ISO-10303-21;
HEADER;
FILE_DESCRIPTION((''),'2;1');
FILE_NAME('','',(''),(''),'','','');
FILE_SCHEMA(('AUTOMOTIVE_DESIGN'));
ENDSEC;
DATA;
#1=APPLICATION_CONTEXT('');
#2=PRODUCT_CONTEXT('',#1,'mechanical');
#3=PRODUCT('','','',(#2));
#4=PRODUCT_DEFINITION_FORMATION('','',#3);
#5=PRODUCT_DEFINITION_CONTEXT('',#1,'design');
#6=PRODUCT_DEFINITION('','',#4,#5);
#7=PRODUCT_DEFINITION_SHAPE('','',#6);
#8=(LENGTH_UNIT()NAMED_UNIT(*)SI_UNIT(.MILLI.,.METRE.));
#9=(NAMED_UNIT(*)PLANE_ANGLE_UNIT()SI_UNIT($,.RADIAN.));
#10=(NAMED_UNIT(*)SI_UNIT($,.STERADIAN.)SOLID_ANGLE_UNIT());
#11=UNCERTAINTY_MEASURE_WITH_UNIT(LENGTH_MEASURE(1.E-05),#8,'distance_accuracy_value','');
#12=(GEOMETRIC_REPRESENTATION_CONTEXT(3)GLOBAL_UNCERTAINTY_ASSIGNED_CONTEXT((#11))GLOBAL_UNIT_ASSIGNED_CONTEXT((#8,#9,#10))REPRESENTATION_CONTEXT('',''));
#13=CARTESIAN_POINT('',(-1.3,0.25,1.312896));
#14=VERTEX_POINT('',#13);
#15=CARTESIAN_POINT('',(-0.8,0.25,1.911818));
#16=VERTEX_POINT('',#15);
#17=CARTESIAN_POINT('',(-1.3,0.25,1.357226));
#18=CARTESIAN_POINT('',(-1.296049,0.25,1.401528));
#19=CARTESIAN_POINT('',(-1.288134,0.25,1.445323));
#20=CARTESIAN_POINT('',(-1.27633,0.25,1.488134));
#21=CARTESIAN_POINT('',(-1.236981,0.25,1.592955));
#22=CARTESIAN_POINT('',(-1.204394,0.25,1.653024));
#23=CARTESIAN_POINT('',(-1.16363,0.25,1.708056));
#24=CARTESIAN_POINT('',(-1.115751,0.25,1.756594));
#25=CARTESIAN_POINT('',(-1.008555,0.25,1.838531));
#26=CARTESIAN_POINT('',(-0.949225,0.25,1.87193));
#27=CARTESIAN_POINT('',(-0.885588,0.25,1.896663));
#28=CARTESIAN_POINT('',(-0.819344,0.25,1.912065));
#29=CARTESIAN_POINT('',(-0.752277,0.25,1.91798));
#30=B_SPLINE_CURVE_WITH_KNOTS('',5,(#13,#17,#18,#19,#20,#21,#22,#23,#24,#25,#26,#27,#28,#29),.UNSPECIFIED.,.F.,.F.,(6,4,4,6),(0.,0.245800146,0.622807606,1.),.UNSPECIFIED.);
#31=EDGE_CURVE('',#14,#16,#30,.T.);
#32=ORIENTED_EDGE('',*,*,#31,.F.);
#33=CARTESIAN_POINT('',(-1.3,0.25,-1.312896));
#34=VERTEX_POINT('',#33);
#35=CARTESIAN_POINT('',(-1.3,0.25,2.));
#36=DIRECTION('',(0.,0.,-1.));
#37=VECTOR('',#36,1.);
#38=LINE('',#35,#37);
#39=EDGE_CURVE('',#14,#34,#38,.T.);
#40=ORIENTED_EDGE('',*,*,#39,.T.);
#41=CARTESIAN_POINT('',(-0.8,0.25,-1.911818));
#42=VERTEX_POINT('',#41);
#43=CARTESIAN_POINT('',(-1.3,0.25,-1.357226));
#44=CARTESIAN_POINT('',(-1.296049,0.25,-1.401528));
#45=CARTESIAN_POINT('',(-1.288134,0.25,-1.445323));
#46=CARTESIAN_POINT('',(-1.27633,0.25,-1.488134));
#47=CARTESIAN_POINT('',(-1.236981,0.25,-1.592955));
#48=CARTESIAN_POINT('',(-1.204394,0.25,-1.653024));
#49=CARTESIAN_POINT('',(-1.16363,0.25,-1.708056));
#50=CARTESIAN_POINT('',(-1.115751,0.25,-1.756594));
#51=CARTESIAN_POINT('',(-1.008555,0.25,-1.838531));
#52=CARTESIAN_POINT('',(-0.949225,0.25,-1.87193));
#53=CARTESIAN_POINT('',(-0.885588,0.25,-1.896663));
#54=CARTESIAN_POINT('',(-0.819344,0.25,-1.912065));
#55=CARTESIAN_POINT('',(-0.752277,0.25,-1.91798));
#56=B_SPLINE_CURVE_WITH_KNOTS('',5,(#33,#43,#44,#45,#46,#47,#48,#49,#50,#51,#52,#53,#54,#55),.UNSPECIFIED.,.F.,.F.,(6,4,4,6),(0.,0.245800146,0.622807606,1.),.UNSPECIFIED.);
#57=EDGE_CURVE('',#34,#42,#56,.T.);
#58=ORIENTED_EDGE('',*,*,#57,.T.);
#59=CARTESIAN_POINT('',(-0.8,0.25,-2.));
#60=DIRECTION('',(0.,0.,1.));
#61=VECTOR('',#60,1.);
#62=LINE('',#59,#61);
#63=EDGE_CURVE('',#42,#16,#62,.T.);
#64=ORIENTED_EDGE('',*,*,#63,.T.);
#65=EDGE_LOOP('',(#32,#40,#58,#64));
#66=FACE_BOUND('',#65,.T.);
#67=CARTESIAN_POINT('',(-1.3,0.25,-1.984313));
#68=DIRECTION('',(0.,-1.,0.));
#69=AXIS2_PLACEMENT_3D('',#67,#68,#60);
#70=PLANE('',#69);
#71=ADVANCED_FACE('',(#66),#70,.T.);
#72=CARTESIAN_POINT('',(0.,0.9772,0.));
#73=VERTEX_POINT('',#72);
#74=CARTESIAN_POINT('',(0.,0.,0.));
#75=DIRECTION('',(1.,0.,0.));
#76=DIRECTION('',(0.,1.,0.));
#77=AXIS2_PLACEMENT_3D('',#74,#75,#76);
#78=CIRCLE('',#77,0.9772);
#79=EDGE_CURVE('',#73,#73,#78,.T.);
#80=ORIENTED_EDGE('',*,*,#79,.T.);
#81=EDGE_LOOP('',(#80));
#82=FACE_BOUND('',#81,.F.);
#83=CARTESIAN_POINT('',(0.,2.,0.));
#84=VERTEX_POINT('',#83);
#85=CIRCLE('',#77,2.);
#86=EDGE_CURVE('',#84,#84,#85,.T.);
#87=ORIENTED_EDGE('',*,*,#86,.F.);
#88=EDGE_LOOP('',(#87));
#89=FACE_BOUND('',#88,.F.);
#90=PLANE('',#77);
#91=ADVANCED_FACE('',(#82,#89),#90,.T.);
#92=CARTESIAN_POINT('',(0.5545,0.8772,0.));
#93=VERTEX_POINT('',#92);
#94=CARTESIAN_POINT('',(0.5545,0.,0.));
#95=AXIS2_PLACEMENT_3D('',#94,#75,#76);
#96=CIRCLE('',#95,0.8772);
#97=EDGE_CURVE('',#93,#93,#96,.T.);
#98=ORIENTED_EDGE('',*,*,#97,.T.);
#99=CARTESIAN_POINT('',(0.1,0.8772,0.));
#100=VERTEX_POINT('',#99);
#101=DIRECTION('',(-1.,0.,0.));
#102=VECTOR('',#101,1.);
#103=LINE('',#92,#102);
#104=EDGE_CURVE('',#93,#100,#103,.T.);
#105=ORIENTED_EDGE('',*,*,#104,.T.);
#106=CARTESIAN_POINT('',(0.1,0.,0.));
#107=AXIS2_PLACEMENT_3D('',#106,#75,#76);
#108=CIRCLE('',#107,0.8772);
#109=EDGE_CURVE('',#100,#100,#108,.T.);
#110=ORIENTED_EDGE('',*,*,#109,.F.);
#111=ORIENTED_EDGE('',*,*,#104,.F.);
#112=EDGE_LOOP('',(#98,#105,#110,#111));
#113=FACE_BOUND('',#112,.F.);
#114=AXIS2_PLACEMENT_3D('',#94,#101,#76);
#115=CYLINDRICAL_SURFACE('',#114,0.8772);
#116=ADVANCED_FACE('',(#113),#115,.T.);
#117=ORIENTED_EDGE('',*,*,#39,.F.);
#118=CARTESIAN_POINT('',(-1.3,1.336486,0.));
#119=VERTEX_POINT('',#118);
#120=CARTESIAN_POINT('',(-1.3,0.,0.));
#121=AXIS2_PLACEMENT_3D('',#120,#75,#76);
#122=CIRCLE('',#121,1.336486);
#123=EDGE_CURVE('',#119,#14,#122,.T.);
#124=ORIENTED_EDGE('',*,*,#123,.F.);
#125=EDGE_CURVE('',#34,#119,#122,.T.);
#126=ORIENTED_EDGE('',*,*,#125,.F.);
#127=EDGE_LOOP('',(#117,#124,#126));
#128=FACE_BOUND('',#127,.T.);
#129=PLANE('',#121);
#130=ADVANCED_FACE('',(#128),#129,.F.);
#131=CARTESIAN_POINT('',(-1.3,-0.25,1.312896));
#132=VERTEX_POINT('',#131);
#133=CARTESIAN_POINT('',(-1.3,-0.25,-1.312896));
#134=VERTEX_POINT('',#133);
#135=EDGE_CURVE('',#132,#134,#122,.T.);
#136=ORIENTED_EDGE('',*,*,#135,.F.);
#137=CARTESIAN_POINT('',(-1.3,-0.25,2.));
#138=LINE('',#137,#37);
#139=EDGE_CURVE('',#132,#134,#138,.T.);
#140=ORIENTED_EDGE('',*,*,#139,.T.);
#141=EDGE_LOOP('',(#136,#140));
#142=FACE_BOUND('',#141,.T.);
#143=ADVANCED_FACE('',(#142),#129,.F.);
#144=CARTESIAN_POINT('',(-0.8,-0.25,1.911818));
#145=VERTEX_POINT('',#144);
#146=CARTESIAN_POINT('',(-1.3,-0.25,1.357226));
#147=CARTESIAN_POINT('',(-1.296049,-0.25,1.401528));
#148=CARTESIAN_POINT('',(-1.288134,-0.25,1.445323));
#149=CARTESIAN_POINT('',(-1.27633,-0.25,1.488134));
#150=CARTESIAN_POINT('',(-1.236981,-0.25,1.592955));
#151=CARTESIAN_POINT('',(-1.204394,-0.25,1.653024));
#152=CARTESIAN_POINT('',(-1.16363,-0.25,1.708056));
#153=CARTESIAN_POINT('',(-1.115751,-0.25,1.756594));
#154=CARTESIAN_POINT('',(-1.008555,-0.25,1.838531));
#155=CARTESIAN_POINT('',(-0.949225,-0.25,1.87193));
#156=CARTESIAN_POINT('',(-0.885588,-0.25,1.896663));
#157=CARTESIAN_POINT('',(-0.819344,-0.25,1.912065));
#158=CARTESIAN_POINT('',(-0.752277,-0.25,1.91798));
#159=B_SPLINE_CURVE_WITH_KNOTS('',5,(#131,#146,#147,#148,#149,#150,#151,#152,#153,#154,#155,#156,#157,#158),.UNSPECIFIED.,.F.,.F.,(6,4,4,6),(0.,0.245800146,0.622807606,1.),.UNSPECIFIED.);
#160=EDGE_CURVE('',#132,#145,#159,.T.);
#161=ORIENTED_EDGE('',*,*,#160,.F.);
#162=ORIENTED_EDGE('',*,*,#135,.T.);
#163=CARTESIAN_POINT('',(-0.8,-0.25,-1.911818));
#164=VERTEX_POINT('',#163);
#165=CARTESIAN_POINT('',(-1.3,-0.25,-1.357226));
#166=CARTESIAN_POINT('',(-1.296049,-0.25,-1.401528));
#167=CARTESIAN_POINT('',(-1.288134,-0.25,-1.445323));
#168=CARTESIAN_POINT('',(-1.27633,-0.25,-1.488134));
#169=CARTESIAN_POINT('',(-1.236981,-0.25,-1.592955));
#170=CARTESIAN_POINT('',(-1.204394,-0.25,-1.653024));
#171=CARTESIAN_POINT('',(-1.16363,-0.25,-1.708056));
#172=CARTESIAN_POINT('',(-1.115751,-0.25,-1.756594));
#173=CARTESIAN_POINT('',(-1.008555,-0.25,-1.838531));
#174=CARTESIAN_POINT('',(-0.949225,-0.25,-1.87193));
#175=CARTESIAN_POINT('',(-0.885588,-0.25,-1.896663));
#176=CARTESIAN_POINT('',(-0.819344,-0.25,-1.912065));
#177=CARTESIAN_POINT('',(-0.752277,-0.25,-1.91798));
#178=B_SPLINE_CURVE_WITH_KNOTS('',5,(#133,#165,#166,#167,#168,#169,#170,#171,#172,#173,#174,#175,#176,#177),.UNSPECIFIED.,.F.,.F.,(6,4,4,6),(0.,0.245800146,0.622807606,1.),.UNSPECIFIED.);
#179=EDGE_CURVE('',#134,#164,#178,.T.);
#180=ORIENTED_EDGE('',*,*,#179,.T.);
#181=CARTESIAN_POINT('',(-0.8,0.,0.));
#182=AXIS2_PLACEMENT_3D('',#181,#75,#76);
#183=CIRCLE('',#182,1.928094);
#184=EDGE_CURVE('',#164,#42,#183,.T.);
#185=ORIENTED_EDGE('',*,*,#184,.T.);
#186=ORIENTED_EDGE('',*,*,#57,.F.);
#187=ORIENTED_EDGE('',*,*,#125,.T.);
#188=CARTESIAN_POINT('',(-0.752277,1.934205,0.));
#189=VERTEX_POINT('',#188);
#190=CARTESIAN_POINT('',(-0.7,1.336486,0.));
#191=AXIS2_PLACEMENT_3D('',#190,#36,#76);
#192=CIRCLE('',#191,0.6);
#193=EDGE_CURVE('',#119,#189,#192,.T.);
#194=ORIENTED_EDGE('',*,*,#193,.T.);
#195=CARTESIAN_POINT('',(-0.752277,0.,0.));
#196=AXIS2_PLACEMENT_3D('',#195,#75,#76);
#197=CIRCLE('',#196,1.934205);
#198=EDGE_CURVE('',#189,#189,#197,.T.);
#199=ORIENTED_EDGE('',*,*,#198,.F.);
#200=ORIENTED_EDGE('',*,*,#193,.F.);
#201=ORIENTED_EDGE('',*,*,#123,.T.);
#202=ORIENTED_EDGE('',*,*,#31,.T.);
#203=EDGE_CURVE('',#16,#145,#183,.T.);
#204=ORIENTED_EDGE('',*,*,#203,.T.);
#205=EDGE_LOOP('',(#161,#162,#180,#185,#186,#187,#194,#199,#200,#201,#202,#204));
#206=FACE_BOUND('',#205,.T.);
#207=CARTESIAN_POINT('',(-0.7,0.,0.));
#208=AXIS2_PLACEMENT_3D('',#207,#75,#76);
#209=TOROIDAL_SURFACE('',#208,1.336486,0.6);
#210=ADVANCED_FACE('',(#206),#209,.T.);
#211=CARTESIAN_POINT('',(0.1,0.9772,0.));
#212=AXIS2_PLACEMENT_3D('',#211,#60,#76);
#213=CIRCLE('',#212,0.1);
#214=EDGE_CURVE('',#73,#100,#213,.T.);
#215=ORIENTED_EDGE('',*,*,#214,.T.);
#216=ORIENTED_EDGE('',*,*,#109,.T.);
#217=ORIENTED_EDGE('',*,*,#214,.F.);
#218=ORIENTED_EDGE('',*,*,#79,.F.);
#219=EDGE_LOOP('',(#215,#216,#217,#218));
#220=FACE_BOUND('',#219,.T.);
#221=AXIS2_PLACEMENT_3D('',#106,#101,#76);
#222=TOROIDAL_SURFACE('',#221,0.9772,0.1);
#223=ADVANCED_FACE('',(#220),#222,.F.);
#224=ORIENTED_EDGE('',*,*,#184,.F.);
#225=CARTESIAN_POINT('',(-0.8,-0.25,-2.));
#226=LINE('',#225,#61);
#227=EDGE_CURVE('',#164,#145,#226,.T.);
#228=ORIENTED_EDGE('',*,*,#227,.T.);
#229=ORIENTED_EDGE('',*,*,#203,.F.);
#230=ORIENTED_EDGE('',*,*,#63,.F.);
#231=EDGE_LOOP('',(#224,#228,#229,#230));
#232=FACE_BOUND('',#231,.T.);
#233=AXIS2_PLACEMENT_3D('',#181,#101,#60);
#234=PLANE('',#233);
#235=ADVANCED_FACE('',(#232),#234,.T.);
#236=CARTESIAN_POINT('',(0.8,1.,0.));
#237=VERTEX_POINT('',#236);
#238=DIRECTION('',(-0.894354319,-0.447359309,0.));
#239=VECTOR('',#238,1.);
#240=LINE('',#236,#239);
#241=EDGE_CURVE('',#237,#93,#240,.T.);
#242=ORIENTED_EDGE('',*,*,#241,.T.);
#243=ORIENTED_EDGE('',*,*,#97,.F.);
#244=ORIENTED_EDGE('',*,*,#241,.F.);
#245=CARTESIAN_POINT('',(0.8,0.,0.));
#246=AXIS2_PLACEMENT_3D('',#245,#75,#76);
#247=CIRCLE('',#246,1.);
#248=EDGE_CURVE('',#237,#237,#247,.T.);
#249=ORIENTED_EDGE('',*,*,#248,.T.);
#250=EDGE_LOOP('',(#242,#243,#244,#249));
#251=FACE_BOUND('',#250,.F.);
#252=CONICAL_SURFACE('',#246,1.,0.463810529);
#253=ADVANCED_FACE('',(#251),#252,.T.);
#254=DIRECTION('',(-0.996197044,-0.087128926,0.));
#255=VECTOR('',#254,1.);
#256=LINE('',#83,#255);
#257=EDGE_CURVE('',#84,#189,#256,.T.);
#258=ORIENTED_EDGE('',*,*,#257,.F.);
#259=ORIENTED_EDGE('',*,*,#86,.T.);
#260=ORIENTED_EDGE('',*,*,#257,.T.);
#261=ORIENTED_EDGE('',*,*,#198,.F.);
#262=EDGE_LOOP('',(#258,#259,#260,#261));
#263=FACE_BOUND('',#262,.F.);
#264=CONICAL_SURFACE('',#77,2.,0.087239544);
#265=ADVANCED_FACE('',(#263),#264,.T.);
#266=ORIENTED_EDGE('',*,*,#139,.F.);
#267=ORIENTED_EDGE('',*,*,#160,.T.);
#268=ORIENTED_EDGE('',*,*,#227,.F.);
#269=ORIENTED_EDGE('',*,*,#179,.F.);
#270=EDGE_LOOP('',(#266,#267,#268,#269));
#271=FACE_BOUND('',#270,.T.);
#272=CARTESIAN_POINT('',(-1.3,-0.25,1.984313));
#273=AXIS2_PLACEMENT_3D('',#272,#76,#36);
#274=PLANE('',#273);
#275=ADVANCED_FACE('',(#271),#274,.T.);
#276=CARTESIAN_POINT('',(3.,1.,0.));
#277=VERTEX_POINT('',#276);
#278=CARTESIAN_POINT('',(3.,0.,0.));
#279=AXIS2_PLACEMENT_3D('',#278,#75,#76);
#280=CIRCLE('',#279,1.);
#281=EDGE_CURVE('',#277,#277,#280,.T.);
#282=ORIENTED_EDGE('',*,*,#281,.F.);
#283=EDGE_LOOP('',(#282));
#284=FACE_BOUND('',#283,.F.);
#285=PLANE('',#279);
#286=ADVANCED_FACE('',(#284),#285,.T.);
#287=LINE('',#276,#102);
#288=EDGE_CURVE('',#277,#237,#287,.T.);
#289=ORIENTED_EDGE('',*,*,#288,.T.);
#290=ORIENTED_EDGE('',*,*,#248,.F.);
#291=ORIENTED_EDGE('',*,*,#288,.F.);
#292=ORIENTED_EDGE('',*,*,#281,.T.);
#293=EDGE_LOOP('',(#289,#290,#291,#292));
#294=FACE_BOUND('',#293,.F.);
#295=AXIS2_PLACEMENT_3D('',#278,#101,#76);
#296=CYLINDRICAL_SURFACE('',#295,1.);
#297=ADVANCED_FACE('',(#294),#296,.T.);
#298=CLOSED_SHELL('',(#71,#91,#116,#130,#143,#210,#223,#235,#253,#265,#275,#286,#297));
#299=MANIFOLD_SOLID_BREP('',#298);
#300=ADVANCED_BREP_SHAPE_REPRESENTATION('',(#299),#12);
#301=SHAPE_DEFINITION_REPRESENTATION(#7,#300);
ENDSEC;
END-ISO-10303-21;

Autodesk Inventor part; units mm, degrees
ref_plane "YZ Plane" through (0, 0, 0) normal (1, 0, 0) x (0, 1, 0)
ref_plane "XZ Plane" through (0, 0, 0) normal (0, 1, 0) x (-1, 0, 0)
sketch "Skizze1" plane through (0, 0, 0) normal (0, 0, 1) x (1, 0, 0)
  line L0 (-1.3, 0) -> (3, 0)
  line L1 (3, 0) -> (3, 1)
  line L2 (3, 1) -> (0.8, 1)
  line L3 (0.8, 1) -> (0.5545, 0.8772)
  line L4 (0.5545, 0.8772) -> (0, 0.8772)
  line L5 (0, 0.8772) -> (0, 2)
  line L6 (-2.16, 0) -> (3.86, 0) projected
  line L7 (0, -0.4) -> (0, 2.4) projected
  line L8 (-1.3, 0) -> (-1.3, 1.8863)
  line L9 (0, 2) -> (-1.3, 1.8863)
  line L10 (0.8, 1) -> (0, 1) construction
  dimension "d0" = 3
  dimension "d1" = 2.2
  dimension "d2" = 0.2455
  dimension "d3" = 1.3
  dimension "d4" = 2
  dimension "d5" = 1.7545
  dimension "d9" = 4
  dimension "d10" = 5
revolve "Körper" add sketch "Skizze1" angle 360 about axis through (-1.3, 0, 0) along (1, 0, 0)
sketch "Skizze2" plane through (-1.3, 0, 0) normal (-1, 0, 0) x (0, 0, 1)
  circle A0 centre (0, 0) radius 2 projected
  line L0 (0, 0) -> (0, 1.8863) projected
  line L1 (-2, 0.25) -> (2, 0.25)
  line L2 (2, 0.25) -> (2, -0.25)
  line L3 (2, -0.25) -> (-2, -0.25)
  line L4 (-2, -0.25) -> (-2, 0.25)
  line L5 (-2, 0) -> (2, 0) construction
  line L6 (0, 0.25) -> (0, -0.25) construction
  dimension "d11" = 0.5
  dimension "d12" = 4
fillet "Rundung1" radius 0.6 1 edges at (-1.3, -1.8863, 0)
extrude "Loch" cut sketch "Skizze2" against normal blind 0.5 contours A0 L3 L1 | L2 L3 A0 | A0 L1 L2 | A0 L4 L1 | L3 L4 A0
thread "Gewinde" size "M2x0.4" class "6g" standard "ISO Metric profile" length 2.2
ref_plane "Work Plane1" through (30.1625, 0, 0) normal (0, 0, -1) x (1, 0, 0)
fillet "Fillet5" radius 0.1 1 edges at (0, -0.8772, 0)
equation "\"d11\" = SBR"
equation "\"d12\" = KOD"
equation "\"d14\" = RR"
equation "\"d19\" = STI"
equation "\"d15\" = GEL"
equation "\"d41\" = R"
equation "\"d0\" = NLG"
equation "\"d1\" = GEL"
equation "\"d3\" = KOH"
equation "\"d4\" = GD"
equation "\"d5\" = BDM"
equation "\"d9\" = KOD"
equation "\"d10\" = KEWI"
equation "\"GD\" = NND"
equation "\"NLG\" = 3"
equation "\"GEL\" = 2.2"
equation "\"KOD\" = 4"
equation "\"KOH\" = 1.3"
equation "\"GAL\" = 0.61345 * PTC"
equation "\"R\" = 0.1"
equation "\"BDM\" = 1.7545"
equation "\"GUL\" = 0.61345 * PTC"
equation "\"RR\" = 0.6"
equation "\"SBR\" = 0.5"
equation "\"STI\" = 0.5"
equation "\"KEWI\" = 5deg"
equation "\"PTC\" = 0.4"
equation "\"THREADDIA\" = 2"
equation "\"TOA\" = 30deg"
equation "\"NND\" = 2"
equation "\"GD1\" = THREADDIA - 1.2269 * PTC"
properties part number "ISO 1580 - M2 x 3" material "Stahl, weich"
